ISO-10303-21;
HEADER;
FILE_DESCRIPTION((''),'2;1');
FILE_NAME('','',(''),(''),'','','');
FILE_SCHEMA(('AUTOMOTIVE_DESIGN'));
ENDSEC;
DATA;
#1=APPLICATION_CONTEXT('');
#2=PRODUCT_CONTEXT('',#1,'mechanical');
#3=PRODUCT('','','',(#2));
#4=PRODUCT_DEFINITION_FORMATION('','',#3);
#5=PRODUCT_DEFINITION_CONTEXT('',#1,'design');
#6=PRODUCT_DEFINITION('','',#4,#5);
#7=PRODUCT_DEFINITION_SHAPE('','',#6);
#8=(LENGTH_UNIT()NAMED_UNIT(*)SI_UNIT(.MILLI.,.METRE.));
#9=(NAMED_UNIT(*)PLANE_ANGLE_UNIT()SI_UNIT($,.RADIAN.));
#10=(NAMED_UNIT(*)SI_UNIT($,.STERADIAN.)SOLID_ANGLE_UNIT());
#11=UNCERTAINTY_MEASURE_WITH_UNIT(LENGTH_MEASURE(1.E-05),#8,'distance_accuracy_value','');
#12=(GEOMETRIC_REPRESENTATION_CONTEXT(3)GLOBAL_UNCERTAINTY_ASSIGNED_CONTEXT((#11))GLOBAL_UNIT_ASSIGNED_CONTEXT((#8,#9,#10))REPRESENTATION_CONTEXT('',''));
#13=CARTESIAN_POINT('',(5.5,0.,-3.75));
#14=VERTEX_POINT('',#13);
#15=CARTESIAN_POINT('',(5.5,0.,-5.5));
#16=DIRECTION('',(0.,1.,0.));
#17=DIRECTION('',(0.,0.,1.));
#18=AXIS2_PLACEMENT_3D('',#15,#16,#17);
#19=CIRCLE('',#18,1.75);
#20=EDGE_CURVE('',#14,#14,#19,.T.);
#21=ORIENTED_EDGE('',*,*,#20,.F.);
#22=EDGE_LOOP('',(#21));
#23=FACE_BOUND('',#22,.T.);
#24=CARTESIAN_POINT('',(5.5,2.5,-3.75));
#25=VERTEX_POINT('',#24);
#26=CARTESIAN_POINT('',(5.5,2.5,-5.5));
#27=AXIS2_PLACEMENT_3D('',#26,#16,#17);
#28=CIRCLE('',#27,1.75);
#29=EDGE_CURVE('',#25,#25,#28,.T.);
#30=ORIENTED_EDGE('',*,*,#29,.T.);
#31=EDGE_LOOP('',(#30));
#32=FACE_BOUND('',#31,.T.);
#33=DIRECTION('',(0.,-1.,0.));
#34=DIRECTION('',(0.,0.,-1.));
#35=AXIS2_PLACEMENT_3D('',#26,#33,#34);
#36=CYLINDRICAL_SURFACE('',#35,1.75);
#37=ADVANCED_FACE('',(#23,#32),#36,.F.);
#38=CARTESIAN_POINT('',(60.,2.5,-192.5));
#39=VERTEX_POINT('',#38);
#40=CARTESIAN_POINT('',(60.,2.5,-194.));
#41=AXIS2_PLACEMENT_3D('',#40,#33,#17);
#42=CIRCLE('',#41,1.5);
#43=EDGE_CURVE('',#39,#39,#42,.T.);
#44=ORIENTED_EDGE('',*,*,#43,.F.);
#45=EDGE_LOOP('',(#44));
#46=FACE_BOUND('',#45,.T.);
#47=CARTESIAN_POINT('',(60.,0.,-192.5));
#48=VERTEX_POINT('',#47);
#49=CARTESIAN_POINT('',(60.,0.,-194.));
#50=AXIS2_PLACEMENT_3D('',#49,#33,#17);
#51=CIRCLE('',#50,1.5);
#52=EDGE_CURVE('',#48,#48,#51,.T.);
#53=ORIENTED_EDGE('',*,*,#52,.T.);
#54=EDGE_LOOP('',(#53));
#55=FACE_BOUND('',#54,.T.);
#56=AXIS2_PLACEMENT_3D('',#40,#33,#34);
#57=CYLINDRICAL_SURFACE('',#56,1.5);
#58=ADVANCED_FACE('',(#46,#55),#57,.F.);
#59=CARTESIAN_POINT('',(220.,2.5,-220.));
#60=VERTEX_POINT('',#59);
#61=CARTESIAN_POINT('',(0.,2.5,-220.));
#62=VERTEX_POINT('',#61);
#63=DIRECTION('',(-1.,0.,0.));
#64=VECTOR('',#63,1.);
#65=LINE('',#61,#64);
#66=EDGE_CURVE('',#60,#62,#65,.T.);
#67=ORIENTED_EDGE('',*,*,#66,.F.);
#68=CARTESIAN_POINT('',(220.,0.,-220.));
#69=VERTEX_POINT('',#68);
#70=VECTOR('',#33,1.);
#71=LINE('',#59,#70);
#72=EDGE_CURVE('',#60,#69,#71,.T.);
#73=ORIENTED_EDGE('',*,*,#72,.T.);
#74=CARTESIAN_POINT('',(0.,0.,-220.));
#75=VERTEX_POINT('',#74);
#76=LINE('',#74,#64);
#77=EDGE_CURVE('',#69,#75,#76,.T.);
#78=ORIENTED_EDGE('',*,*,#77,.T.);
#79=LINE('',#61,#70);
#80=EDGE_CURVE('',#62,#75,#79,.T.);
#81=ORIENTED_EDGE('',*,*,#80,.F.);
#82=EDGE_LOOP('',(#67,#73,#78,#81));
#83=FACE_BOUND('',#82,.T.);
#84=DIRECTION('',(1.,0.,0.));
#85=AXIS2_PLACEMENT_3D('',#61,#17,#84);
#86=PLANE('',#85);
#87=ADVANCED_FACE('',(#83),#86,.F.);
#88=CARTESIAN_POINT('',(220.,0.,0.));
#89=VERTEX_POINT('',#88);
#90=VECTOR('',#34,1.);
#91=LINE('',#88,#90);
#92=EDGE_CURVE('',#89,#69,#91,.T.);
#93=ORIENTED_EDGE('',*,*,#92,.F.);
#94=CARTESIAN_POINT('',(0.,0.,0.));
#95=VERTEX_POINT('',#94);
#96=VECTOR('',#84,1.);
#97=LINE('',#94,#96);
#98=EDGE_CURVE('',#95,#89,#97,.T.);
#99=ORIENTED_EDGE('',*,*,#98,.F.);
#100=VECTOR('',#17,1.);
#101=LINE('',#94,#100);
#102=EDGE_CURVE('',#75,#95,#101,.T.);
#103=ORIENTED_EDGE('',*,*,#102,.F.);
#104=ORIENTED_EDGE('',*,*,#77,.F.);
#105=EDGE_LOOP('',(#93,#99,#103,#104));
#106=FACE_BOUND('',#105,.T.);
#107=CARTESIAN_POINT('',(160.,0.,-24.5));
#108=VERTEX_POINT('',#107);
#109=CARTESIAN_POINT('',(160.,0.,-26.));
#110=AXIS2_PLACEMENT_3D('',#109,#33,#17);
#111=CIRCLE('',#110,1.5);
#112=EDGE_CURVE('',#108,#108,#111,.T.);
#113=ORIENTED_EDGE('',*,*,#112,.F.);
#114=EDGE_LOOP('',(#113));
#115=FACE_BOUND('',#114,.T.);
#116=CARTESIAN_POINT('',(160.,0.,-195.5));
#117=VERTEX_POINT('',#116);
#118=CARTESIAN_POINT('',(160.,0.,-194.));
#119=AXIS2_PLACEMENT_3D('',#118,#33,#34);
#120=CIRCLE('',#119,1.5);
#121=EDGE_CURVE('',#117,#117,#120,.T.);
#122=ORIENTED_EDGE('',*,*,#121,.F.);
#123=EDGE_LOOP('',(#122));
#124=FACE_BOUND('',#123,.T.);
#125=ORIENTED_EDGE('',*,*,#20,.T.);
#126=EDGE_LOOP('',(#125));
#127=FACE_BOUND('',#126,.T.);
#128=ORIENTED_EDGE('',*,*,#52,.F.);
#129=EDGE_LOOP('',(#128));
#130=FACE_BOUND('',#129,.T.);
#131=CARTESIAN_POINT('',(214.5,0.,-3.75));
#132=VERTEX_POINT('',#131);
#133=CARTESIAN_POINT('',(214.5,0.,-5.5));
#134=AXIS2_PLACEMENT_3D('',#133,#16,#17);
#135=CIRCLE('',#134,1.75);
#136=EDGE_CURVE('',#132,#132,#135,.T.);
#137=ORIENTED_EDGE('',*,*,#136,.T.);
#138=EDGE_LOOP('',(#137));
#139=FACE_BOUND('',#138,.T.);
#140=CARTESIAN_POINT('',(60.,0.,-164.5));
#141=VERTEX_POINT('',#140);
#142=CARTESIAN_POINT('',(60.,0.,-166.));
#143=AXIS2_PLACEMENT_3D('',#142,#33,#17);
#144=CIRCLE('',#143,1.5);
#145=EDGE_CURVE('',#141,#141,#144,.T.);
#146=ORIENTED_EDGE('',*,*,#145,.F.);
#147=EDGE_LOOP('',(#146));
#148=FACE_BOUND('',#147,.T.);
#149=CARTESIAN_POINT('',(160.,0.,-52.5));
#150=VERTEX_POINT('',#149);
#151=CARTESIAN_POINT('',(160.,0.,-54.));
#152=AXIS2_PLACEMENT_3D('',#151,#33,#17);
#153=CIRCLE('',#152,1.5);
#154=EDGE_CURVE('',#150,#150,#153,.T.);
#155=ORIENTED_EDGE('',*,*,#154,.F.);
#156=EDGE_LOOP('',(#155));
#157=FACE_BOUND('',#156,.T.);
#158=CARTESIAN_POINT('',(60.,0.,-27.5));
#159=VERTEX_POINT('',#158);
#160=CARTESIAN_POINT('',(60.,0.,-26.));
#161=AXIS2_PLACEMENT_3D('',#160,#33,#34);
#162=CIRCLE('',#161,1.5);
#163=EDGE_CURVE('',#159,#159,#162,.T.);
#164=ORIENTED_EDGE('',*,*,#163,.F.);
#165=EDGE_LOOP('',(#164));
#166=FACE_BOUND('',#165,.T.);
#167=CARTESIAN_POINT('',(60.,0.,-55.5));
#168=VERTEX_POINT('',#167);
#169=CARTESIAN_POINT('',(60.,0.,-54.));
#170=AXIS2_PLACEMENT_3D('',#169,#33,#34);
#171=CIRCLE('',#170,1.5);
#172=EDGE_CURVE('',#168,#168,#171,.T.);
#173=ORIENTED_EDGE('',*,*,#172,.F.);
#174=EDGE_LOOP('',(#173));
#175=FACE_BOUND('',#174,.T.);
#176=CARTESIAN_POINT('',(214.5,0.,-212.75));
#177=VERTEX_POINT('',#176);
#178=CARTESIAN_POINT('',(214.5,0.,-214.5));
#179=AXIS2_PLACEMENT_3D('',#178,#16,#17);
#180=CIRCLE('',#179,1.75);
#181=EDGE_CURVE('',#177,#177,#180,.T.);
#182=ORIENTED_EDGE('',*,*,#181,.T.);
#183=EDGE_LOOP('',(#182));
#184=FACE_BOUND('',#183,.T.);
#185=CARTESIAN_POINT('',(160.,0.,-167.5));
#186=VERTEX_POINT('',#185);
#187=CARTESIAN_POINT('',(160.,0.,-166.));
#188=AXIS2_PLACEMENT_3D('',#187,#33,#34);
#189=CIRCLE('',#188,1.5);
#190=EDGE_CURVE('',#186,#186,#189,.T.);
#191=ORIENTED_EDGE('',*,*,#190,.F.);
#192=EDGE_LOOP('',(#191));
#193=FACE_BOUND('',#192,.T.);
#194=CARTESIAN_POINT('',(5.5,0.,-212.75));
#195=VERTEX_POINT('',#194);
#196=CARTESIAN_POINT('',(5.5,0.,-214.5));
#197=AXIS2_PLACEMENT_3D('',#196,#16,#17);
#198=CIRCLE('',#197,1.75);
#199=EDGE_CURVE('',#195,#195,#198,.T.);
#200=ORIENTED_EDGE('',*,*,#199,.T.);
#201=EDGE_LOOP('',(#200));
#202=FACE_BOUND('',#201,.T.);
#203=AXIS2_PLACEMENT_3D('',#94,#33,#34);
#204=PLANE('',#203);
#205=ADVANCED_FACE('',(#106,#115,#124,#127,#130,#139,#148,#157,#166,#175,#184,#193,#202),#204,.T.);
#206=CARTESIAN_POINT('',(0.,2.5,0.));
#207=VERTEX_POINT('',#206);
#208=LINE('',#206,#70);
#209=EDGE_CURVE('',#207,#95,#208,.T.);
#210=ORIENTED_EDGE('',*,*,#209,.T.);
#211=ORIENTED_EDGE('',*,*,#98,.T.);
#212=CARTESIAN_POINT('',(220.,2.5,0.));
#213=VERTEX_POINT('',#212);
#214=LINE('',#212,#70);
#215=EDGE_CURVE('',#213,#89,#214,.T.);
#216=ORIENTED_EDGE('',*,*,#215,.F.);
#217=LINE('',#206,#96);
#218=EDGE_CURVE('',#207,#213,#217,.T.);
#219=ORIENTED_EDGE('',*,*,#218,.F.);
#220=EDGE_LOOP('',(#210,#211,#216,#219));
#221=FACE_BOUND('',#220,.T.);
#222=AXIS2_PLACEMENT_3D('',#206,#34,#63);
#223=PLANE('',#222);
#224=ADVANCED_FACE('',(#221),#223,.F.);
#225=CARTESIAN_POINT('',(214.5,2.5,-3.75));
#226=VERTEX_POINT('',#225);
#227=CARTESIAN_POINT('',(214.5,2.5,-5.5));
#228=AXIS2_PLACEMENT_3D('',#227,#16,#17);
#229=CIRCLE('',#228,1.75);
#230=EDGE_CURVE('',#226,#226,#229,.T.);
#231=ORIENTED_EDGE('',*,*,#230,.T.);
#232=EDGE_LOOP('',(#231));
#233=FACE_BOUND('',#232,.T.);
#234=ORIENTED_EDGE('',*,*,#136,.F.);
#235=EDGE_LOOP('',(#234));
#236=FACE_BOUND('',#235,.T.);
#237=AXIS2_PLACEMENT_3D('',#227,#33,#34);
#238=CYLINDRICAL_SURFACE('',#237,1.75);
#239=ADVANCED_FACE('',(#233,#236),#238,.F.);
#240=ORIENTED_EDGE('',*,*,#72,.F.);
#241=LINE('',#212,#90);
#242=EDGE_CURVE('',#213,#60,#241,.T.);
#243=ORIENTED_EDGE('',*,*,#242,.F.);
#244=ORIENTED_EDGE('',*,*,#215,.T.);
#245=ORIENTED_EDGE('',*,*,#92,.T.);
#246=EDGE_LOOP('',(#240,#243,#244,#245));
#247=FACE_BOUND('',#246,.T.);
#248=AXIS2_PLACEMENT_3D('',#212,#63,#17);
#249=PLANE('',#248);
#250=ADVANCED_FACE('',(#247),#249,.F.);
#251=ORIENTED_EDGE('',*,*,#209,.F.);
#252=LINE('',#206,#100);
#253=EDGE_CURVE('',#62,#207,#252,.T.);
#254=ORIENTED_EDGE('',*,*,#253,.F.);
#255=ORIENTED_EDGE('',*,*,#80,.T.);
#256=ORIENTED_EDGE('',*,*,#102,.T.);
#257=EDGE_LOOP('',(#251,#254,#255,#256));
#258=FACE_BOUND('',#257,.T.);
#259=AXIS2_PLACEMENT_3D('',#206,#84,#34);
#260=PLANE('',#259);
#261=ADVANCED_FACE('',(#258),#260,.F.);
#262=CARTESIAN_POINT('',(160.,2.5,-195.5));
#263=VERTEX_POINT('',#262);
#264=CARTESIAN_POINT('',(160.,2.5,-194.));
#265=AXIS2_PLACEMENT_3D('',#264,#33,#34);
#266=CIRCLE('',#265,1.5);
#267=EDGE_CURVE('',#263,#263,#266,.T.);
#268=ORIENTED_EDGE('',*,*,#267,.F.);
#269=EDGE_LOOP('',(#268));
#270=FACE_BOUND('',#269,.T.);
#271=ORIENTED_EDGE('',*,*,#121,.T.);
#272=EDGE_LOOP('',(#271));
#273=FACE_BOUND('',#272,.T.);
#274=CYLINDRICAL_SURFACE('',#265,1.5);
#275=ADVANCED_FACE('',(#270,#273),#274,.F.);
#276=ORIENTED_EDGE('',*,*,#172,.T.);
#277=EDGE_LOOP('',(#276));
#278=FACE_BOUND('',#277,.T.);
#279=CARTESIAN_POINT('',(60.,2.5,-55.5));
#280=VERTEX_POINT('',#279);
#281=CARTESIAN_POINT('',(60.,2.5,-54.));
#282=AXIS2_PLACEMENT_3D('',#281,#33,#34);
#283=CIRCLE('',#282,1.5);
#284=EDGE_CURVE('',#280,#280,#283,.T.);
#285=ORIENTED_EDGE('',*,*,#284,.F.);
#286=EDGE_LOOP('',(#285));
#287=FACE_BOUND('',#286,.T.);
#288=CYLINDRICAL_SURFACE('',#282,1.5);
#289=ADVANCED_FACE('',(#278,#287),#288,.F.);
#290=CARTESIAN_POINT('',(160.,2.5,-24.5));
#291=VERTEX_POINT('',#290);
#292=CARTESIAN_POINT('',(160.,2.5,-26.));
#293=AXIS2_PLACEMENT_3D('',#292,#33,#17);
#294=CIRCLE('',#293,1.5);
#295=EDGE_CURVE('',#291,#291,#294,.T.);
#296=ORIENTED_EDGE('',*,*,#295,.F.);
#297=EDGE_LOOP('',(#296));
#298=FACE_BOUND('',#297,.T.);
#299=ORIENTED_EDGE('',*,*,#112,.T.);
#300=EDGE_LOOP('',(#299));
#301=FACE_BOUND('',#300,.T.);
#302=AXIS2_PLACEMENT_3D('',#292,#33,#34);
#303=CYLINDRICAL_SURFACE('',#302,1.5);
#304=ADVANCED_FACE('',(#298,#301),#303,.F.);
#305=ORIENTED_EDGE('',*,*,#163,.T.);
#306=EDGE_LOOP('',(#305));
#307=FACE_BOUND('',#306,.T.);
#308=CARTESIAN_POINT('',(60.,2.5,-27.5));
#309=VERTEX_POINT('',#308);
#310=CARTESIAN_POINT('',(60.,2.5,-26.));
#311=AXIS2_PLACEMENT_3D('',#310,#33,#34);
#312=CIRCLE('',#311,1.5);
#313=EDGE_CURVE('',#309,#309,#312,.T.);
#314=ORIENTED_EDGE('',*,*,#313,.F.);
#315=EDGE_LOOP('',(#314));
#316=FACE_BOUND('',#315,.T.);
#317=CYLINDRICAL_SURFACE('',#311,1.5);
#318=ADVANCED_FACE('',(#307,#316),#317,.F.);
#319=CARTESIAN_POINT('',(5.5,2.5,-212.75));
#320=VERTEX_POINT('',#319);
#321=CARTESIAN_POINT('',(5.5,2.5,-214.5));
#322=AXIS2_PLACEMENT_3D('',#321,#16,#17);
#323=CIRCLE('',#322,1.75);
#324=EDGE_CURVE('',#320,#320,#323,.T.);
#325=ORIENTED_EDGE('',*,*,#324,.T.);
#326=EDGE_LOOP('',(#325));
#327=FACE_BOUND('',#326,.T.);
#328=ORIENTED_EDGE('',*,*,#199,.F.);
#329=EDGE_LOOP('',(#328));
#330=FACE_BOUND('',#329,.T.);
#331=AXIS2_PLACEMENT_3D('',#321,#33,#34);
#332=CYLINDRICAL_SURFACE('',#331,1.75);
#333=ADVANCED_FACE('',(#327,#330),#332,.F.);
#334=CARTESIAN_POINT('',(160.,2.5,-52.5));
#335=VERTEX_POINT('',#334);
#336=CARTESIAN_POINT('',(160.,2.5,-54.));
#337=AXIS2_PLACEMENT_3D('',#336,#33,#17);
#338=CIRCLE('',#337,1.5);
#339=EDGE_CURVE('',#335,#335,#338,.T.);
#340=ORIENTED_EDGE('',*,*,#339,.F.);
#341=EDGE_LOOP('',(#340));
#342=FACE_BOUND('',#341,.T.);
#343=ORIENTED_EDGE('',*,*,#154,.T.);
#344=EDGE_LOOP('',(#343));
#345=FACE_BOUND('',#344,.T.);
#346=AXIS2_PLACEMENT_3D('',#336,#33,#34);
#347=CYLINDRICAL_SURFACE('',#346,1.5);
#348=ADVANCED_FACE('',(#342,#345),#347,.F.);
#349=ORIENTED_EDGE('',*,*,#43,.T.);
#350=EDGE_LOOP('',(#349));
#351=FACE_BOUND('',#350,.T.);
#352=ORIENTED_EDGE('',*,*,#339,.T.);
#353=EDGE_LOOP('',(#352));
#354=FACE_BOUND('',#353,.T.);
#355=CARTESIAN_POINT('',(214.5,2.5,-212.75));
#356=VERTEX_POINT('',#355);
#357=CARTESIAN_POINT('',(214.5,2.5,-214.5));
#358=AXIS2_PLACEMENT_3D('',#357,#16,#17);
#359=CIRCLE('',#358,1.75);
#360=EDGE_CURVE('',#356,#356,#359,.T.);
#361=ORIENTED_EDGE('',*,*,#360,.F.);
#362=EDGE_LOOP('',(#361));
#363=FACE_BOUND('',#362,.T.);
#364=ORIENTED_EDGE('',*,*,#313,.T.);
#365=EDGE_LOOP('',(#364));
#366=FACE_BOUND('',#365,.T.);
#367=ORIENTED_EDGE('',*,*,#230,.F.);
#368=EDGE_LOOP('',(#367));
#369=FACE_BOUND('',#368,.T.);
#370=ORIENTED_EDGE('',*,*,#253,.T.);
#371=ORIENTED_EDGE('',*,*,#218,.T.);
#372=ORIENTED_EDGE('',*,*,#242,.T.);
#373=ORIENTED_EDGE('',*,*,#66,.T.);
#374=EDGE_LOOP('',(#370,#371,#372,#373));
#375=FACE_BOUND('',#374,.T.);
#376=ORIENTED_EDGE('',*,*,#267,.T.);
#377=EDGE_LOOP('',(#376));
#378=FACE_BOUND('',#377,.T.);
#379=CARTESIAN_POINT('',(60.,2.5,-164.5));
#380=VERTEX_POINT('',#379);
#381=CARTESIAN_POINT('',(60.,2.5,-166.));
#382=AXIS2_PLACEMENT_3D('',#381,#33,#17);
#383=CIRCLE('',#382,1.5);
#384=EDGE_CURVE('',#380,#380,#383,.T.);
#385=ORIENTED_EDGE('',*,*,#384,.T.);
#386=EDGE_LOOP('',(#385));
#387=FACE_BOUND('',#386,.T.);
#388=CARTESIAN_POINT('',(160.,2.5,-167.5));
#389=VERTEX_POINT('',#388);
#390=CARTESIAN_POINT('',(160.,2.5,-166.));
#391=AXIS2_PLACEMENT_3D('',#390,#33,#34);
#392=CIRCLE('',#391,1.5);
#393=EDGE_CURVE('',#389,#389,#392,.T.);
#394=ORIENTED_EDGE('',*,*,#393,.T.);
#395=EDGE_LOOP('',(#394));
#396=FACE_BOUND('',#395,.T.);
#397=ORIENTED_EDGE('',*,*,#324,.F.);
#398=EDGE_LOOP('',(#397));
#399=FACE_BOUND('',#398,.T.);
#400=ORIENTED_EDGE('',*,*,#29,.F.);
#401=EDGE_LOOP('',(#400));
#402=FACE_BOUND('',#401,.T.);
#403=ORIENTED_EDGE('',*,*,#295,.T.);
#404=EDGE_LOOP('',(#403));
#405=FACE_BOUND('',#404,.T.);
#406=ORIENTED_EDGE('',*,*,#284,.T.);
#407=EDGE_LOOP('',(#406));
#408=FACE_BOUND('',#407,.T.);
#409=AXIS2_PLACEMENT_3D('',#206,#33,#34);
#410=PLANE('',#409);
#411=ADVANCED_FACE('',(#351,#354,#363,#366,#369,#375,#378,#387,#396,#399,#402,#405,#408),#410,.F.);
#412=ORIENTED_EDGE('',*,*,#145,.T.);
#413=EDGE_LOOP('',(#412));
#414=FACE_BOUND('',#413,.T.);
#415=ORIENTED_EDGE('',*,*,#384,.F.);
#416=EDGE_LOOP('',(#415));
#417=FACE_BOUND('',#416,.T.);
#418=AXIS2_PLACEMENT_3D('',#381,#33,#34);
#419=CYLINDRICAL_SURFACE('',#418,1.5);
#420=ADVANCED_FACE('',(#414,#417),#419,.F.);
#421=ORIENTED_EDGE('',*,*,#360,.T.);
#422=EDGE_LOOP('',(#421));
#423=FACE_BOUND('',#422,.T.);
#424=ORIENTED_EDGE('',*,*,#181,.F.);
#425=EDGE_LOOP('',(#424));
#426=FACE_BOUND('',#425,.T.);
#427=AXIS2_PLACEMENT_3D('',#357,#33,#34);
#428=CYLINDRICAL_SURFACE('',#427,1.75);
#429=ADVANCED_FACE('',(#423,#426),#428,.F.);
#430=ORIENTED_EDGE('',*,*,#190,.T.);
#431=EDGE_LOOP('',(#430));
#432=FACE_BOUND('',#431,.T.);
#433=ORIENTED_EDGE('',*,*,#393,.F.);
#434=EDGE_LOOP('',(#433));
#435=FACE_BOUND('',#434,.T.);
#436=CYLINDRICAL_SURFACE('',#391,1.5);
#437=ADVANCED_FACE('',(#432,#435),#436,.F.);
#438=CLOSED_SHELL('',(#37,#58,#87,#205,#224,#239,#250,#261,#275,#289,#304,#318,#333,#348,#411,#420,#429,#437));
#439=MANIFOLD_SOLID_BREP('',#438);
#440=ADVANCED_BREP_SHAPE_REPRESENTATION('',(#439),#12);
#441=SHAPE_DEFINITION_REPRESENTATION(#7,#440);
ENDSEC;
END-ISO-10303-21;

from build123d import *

# Parameters (mm, degrees)
SKETCH_1_W          = 220
SKETCH_1_H          = 220
SKETCH_1_R          = 1.75
EXTRUDE_1_DEPTH     = 2.5
SKETCH_2_R          = 1.5
CUT_EXTRUDE_1_DEPTH = 312.13702769


with BuildPart() as part:
    # 草图1 → 凸台-拉伸1 (new body)
    with BuildSketch(Plane(origin=(0, 0, 0), x_dir=(1, 0, 0), z_dir=(0, 1, 0))):
        with Locations((110, 110)):
            Rectangle(SKETCH_1_W, SKETCH_1_H)
        with Locations(Location((5.5, 5.5, 0), (0, 0, 270))):
            Circle(SKETCH_1_R, mode=Mode.SUBTRACT)
        with Locations(Location((214.5, 5.5, 0), (0, 0, 270))):
            Circle(SKETCH_1_R, mode=Mode.SUBTRACT)
        with Locations(Location((214.5, 214.5, 0), (0, 0, 270))):
            Circle(SKETCH_1_R, mode=Mode.SUBTRACT)
        with Locations(Location((5.5, 214.5, 0), (0, 0, 270))):
            Circle(SKETCH_1_R, mode=Mode.SUBTRACT)
    extrude(amount=EXTRUDE_1_DEPTH)

    # 草图2 → 切除-拉伸1 (cut, through all)
    with BuildSketch(Plane.XZ):
        with Locations(Location((60, -26, 0), (0, 0, 270))):
            Circle(SKETCH_2_R)
        with Locations(Location((60, -54, 0), (0, 0, 270))):
            Circle(SKETCH_2_R)
        with Locations(Location((60, -166, 0), (0, 0, 90))):
            Circle(SKETCH_2_R)
        with Locations(Location((60, -194, 0), (0, 0, 90))):
            Circle(SKETCH_2_R)
        with Locations(Location((160, -194, 0), (0, 0, 270))):
            Circle(SKETCH_2_R)
        with Locations(Location((160, -166, 0), (0, 0, 270))):
            Circle(SKETCH_2_R)
        with Locations(Location((160, -54, 0), (0, 0, 90))):
            Circle(SKETCH_2_R)
        with Locations(Location((160, -26, 0), (0, 0, 90))):
            Circle(SKETCH_2_R)
    extrude(amount=-CUT_EXTRUDE_1_DEPTH, mode=Mode.SUBTRACT)


solid = part.part
